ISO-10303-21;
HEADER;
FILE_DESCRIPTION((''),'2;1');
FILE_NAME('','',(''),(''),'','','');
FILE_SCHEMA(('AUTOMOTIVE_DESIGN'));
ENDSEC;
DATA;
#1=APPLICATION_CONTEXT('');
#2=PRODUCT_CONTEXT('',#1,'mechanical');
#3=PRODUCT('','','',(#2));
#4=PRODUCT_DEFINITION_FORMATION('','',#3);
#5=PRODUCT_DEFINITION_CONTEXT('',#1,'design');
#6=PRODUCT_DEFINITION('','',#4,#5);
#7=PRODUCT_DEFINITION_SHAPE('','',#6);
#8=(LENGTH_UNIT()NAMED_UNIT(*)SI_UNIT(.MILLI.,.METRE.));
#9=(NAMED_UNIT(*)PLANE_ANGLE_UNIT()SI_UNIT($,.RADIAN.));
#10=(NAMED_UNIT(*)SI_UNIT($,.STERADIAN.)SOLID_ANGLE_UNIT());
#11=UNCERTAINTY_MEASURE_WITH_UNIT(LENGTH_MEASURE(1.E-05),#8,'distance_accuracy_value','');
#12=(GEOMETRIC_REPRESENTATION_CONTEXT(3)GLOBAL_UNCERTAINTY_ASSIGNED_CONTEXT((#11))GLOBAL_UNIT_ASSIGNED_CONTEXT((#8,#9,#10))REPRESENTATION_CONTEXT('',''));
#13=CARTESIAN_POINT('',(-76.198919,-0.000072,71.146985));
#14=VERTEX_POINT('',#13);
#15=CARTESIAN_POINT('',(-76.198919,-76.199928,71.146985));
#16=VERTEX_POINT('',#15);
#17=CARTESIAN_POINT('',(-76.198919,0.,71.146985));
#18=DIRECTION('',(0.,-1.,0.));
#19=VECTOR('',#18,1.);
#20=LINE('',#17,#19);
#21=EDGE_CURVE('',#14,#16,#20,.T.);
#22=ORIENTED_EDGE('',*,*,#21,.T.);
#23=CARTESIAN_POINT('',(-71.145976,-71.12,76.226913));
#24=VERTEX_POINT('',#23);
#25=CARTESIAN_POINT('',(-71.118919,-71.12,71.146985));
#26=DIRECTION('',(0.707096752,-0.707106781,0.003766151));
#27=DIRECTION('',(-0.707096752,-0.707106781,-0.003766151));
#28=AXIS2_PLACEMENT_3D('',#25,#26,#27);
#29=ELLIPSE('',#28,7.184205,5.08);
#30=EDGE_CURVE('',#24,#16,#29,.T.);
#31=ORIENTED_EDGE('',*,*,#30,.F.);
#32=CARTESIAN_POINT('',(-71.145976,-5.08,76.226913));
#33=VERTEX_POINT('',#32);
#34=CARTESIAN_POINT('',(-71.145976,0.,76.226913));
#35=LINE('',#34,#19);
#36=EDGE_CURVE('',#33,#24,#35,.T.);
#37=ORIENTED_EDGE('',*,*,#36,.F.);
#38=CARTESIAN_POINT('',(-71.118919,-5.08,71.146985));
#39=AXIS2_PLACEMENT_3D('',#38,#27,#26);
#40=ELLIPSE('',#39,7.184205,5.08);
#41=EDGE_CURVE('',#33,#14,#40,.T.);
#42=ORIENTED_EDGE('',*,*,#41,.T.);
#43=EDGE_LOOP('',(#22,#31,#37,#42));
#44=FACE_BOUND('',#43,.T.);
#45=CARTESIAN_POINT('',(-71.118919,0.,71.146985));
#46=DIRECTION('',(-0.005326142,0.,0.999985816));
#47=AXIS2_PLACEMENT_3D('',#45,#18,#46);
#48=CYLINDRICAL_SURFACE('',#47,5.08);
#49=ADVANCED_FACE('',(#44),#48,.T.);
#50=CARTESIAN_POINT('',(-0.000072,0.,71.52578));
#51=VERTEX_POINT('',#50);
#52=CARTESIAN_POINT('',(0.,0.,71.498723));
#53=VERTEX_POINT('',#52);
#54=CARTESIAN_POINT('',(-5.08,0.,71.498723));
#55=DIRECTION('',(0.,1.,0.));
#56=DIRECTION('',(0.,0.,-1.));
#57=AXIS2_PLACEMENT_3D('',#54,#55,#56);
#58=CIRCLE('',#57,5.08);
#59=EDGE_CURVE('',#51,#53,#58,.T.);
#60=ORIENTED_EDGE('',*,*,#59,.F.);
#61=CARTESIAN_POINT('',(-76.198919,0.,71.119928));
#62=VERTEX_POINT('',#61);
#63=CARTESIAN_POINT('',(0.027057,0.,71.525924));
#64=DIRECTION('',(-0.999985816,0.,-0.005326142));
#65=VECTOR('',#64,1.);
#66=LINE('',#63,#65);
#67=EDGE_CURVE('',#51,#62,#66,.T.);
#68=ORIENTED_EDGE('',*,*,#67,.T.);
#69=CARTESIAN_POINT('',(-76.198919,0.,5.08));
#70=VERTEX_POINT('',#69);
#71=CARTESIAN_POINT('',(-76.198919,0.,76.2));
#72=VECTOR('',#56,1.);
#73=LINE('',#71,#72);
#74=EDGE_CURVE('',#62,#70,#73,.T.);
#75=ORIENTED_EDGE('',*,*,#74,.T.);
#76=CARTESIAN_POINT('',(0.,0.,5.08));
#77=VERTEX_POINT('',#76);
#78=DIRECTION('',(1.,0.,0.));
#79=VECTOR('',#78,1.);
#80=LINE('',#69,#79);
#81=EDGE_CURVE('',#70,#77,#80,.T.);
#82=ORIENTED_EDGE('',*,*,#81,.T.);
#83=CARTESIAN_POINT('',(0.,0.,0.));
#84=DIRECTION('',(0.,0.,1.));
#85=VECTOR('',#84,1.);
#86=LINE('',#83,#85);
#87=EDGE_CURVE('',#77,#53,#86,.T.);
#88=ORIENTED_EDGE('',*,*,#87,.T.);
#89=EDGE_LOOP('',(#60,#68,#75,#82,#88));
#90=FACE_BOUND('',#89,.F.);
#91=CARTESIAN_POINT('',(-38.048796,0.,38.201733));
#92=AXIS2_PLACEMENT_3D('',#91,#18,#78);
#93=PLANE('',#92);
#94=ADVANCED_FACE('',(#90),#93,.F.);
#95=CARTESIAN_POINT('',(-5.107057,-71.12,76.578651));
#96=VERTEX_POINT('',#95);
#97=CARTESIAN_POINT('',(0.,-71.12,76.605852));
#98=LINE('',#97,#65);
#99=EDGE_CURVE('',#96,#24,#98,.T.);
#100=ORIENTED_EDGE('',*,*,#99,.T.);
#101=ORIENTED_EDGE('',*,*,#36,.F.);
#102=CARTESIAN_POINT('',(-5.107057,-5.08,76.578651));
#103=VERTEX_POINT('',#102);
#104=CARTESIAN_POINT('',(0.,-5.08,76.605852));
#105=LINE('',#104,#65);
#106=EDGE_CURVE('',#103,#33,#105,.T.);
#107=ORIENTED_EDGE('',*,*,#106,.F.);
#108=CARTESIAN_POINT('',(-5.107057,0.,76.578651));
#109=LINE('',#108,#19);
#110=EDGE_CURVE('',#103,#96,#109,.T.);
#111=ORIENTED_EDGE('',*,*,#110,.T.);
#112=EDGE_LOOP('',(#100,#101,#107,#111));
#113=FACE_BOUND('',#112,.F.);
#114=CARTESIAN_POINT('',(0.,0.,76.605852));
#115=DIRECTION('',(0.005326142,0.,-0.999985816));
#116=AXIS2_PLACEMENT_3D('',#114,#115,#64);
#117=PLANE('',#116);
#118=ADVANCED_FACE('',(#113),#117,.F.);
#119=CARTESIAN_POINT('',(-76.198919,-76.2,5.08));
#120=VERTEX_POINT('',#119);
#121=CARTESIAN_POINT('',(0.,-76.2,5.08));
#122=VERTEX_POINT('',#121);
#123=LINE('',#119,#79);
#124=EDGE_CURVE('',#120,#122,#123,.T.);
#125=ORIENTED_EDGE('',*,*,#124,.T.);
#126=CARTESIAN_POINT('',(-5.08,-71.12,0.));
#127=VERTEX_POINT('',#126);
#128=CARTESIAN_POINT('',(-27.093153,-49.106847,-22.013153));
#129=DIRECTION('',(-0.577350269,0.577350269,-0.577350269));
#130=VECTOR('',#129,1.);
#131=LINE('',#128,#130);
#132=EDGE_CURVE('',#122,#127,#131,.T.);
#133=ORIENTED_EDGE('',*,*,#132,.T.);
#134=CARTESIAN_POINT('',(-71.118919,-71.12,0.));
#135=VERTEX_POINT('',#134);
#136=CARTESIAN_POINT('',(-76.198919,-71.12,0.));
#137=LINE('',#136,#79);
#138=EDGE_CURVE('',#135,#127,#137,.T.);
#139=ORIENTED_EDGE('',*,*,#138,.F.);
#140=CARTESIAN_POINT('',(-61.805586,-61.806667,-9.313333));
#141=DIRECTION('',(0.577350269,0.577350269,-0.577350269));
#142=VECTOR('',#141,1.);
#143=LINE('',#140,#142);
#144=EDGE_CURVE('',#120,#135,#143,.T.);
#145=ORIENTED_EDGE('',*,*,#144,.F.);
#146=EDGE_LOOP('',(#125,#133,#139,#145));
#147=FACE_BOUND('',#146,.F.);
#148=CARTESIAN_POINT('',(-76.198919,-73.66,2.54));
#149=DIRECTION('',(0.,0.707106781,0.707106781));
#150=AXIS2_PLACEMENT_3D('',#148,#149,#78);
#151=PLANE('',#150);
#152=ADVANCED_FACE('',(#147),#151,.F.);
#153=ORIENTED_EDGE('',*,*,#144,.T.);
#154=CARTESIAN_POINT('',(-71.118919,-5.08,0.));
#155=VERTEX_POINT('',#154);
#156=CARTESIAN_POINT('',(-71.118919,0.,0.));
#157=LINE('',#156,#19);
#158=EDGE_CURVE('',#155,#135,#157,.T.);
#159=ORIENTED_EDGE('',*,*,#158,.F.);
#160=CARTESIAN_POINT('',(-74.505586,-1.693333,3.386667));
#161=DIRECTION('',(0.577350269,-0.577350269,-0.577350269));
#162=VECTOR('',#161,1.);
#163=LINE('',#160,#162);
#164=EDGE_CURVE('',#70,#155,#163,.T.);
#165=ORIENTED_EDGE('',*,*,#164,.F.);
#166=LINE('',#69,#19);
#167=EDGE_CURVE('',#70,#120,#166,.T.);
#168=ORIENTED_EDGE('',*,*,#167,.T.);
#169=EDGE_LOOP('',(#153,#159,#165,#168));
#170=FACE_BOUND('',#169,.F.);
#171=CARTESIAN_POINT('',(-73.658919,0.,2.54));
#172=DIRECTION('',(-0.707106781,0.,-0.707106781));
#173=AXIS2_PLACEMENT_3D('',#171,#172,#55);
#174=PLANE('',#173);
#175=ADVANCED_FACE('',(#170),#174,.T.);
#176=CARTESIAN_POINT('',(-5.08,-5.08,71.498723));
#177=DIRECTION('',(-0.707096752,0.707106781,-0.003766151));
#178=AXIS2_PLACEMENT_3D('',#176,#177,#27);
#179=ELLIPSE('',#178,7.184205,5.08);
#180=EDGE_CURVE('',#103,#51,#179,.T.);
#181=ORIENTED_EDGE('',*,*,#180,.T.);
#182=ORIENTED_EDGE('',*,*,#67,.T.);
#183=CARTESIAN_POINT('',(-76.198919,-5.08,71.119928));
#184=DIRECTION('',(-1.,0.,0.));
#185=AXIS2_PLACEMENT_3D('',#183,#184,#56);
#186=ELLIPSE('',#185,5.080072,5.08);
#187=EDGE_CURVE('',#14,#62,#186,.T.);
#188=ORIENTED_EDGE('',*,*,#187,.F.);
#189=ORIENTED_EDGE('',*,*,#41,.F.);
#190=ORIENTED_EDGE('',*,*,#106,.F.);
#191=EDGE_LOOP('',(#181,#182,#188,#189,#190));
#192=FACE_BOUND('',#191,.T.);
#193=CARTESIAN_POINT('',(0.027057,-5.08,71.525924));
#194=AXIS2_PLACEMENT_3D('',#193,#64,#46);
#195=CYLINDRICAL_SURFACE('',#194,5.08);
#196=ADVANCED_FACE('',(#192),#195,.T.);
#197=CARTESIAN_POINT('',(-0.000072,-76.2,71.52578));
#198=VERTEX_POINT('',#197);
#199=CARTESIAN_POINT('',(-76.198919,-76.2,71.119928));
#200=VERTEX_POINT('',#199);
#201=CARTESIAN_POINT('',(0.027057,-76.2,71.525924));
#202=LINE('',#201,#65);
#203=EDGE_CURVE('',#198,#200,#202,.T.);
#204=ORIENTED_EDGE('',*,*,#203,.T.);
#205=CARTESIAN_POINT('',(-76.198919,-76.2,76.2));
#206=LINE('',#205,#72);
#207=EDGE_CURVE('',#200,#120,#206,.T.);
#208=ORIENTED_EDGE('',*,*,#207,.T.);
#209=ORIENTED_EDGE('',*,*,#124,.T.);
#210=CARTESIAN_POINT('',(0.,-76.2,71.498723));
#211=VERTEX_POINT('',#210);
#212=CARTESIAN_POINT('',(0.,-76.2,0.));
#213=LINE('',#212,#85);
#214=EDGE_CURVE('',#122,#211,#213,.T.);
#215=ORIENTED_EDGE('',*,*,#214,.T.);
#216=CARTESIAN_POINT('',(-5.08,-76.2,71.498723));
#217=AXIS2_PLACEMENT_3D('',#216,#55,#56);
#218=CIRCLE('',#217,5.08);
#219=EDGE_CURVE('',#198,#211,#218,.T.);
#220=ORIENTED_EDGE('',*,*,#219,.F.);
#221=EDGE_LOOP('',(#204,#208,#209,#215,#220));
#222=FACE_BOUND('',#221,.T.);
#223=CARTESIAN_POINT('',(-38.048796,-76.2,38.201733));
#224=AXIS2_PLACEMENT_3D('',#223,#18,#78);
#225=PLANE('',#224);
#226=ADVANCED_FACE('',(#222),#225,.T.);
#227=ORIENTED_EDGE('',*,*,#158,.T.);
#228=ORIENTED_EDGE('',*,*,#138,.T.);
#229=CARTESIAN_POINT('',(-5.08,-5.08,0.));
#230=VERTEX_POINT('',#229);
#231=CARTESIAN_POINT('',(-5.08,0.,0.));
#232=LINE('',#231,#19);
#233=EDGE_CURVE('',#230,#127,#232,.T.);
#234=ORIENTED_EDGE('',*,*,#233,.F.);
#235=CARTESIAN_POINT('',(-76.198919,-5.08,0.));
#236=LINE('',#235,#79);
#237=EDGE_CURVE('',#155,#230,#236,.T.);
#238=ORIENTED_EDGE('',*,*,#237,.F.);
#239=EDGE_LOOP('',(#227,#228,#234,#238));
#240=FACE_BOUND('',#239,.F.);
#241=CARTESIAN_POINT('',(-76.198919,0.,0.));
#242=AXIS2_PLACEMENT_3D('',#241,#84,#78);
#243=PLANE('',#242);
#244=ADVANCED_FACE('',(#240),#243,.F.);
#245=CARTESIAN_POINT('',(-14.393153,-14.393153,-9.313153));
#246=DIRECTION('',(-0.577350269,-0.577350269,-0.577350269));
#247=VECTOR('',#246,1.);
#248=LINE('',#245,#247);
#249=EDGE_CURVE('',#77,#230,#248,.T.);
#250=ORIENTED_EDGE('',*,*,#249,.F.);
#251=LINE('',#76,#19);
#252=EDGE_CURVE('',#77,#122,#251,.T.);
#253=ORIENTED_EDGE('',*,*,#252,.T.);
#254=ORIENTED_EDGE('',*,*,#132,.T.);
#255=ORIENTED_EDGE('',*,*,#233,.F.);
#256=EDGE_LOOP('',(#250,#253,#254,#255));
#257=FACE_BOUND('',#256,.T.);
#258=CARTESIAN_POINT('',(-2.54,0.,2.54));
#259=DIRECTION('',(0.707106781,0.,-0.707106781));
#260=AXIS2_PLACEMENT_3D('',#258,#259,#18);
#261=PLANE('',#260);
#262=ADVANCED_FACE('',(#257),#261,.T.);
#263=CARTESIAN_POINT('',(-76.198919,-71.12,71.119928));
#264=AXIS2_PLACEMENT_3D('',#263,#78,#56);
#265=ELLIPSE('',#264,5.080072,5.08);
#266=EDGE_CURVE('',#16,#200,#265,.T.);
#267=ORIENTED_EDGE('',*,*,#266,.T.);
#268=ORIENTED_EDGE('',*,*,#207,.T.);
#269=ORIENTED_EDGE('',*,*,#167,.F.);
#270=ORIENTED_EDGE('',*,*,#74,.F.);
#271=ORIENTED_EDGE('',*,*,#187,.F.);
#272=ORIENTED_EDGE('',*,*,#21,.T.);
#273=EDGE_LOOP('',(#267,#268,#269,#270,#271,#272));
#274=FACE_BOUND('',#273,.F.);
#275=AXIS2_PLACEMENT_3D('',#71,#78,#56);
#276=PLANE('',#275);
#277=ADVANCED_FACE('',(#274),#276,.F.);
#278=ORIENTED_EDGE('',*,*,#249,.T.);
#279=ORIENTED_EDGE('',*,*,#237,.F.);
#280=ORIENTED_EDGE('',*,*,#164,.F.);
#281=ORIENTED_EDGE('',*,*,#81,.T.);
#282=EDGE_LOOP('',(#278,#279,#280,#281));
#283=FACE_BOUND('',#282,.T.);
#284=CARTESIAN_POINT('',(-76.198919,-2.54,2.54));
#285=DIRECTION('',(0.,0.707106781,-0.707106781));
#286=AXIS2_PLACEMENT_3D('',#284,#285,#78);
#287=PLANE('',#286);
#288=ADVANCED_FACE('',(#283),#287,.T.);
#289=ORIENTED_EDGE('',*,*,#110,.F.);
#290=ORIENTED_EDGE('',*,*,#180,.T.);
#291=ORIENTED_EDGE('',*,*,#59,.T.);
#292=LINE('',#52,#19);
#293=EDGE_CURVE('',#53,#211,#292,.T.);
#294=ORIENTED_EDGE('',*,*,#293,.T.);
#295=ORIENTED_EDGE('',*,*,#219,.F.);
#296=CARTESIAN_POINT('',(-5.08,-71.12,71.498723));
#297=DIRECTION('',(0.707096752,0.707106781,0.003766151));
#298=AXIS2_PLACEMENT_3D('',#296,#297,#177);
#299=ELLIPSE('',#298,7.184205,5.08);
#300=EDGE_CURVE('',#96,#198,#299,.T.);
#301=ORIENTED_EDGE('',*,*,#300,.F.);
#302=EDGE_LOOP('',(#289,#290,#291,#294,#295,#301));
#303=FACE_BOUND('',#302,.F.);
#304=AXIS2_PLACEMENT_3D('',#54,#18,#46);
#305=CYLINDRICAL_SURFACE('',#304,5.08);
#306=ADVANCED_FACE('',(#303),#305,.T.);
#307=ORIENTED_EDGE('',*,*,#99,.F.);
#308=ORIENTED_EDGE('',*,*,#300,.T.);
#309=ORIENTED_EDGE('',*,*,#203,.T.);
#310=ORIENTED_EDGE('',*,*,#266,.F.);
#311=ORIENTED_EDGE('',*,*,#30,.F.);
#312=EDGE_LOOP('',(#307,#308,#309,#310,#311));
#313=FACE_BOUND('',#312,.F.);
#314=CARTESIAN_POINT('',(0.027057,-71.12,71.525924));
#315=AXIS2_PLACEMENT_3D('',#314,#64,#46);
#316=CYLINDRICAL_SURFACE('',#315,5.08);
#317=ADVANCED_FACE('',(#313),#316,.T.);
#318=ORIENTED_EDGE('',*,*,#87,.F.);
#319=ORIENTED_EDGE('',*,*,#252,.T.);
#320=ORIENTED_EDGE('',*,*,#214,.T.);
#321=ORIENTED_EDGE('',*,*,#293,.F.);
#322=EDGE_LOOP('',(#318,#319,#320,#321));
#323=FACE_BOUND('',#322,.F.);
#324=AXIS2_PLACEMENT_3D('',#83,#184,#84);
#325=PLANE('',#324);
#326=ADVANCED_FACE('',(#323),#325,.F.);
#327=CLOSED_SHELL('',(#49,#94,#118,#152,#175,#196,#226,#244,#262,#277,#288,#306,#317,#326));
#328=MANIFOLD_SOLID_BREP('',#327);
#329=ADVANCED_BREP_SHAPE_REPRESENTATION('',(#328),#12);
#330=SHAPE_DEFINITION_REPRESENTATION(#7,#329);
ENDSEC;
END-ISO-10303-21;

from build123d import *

# Parameters (mm, degrees)
F1_DEPTH = 76.2
F2_R     = 5.08
F3_SIZE  = 5.08


with BuildPart() as f1:
    # F0 (on Front) → F1 (new body)
    with BuildSketch(Plane.XZ):
        Polygon((0, 76.605852), (-76.198919, 76.2), (-76.198919, 0), (0, 0), align=None)
    extrude(amount=F1_DEPTH)

    # F2
    f2_edges = [f1.edges().sort_by_distance(p)[0] for p in [
        (-38.09946, 0, 76.402926),
        (-76.198919, -38.1, 76.2),
        (0, -38.1, 76.605852),
        (-38.09946, -76.2, 76.402926),
    ]]
    fillet(f2_edges, radius=F2_R)

    # F3
    f3_edges = [f1.edges().sort_by_distance(p)[0] for p in [
        (-76.198919, -38.1, 0),
        (-38.09946, -76.2, 0),
        (0, -38.1, 0),
        (-38.09946, 0, 0),
    ]]
    chamfer(f3_edges, length=F3_SIZE)


solid = f1.part
